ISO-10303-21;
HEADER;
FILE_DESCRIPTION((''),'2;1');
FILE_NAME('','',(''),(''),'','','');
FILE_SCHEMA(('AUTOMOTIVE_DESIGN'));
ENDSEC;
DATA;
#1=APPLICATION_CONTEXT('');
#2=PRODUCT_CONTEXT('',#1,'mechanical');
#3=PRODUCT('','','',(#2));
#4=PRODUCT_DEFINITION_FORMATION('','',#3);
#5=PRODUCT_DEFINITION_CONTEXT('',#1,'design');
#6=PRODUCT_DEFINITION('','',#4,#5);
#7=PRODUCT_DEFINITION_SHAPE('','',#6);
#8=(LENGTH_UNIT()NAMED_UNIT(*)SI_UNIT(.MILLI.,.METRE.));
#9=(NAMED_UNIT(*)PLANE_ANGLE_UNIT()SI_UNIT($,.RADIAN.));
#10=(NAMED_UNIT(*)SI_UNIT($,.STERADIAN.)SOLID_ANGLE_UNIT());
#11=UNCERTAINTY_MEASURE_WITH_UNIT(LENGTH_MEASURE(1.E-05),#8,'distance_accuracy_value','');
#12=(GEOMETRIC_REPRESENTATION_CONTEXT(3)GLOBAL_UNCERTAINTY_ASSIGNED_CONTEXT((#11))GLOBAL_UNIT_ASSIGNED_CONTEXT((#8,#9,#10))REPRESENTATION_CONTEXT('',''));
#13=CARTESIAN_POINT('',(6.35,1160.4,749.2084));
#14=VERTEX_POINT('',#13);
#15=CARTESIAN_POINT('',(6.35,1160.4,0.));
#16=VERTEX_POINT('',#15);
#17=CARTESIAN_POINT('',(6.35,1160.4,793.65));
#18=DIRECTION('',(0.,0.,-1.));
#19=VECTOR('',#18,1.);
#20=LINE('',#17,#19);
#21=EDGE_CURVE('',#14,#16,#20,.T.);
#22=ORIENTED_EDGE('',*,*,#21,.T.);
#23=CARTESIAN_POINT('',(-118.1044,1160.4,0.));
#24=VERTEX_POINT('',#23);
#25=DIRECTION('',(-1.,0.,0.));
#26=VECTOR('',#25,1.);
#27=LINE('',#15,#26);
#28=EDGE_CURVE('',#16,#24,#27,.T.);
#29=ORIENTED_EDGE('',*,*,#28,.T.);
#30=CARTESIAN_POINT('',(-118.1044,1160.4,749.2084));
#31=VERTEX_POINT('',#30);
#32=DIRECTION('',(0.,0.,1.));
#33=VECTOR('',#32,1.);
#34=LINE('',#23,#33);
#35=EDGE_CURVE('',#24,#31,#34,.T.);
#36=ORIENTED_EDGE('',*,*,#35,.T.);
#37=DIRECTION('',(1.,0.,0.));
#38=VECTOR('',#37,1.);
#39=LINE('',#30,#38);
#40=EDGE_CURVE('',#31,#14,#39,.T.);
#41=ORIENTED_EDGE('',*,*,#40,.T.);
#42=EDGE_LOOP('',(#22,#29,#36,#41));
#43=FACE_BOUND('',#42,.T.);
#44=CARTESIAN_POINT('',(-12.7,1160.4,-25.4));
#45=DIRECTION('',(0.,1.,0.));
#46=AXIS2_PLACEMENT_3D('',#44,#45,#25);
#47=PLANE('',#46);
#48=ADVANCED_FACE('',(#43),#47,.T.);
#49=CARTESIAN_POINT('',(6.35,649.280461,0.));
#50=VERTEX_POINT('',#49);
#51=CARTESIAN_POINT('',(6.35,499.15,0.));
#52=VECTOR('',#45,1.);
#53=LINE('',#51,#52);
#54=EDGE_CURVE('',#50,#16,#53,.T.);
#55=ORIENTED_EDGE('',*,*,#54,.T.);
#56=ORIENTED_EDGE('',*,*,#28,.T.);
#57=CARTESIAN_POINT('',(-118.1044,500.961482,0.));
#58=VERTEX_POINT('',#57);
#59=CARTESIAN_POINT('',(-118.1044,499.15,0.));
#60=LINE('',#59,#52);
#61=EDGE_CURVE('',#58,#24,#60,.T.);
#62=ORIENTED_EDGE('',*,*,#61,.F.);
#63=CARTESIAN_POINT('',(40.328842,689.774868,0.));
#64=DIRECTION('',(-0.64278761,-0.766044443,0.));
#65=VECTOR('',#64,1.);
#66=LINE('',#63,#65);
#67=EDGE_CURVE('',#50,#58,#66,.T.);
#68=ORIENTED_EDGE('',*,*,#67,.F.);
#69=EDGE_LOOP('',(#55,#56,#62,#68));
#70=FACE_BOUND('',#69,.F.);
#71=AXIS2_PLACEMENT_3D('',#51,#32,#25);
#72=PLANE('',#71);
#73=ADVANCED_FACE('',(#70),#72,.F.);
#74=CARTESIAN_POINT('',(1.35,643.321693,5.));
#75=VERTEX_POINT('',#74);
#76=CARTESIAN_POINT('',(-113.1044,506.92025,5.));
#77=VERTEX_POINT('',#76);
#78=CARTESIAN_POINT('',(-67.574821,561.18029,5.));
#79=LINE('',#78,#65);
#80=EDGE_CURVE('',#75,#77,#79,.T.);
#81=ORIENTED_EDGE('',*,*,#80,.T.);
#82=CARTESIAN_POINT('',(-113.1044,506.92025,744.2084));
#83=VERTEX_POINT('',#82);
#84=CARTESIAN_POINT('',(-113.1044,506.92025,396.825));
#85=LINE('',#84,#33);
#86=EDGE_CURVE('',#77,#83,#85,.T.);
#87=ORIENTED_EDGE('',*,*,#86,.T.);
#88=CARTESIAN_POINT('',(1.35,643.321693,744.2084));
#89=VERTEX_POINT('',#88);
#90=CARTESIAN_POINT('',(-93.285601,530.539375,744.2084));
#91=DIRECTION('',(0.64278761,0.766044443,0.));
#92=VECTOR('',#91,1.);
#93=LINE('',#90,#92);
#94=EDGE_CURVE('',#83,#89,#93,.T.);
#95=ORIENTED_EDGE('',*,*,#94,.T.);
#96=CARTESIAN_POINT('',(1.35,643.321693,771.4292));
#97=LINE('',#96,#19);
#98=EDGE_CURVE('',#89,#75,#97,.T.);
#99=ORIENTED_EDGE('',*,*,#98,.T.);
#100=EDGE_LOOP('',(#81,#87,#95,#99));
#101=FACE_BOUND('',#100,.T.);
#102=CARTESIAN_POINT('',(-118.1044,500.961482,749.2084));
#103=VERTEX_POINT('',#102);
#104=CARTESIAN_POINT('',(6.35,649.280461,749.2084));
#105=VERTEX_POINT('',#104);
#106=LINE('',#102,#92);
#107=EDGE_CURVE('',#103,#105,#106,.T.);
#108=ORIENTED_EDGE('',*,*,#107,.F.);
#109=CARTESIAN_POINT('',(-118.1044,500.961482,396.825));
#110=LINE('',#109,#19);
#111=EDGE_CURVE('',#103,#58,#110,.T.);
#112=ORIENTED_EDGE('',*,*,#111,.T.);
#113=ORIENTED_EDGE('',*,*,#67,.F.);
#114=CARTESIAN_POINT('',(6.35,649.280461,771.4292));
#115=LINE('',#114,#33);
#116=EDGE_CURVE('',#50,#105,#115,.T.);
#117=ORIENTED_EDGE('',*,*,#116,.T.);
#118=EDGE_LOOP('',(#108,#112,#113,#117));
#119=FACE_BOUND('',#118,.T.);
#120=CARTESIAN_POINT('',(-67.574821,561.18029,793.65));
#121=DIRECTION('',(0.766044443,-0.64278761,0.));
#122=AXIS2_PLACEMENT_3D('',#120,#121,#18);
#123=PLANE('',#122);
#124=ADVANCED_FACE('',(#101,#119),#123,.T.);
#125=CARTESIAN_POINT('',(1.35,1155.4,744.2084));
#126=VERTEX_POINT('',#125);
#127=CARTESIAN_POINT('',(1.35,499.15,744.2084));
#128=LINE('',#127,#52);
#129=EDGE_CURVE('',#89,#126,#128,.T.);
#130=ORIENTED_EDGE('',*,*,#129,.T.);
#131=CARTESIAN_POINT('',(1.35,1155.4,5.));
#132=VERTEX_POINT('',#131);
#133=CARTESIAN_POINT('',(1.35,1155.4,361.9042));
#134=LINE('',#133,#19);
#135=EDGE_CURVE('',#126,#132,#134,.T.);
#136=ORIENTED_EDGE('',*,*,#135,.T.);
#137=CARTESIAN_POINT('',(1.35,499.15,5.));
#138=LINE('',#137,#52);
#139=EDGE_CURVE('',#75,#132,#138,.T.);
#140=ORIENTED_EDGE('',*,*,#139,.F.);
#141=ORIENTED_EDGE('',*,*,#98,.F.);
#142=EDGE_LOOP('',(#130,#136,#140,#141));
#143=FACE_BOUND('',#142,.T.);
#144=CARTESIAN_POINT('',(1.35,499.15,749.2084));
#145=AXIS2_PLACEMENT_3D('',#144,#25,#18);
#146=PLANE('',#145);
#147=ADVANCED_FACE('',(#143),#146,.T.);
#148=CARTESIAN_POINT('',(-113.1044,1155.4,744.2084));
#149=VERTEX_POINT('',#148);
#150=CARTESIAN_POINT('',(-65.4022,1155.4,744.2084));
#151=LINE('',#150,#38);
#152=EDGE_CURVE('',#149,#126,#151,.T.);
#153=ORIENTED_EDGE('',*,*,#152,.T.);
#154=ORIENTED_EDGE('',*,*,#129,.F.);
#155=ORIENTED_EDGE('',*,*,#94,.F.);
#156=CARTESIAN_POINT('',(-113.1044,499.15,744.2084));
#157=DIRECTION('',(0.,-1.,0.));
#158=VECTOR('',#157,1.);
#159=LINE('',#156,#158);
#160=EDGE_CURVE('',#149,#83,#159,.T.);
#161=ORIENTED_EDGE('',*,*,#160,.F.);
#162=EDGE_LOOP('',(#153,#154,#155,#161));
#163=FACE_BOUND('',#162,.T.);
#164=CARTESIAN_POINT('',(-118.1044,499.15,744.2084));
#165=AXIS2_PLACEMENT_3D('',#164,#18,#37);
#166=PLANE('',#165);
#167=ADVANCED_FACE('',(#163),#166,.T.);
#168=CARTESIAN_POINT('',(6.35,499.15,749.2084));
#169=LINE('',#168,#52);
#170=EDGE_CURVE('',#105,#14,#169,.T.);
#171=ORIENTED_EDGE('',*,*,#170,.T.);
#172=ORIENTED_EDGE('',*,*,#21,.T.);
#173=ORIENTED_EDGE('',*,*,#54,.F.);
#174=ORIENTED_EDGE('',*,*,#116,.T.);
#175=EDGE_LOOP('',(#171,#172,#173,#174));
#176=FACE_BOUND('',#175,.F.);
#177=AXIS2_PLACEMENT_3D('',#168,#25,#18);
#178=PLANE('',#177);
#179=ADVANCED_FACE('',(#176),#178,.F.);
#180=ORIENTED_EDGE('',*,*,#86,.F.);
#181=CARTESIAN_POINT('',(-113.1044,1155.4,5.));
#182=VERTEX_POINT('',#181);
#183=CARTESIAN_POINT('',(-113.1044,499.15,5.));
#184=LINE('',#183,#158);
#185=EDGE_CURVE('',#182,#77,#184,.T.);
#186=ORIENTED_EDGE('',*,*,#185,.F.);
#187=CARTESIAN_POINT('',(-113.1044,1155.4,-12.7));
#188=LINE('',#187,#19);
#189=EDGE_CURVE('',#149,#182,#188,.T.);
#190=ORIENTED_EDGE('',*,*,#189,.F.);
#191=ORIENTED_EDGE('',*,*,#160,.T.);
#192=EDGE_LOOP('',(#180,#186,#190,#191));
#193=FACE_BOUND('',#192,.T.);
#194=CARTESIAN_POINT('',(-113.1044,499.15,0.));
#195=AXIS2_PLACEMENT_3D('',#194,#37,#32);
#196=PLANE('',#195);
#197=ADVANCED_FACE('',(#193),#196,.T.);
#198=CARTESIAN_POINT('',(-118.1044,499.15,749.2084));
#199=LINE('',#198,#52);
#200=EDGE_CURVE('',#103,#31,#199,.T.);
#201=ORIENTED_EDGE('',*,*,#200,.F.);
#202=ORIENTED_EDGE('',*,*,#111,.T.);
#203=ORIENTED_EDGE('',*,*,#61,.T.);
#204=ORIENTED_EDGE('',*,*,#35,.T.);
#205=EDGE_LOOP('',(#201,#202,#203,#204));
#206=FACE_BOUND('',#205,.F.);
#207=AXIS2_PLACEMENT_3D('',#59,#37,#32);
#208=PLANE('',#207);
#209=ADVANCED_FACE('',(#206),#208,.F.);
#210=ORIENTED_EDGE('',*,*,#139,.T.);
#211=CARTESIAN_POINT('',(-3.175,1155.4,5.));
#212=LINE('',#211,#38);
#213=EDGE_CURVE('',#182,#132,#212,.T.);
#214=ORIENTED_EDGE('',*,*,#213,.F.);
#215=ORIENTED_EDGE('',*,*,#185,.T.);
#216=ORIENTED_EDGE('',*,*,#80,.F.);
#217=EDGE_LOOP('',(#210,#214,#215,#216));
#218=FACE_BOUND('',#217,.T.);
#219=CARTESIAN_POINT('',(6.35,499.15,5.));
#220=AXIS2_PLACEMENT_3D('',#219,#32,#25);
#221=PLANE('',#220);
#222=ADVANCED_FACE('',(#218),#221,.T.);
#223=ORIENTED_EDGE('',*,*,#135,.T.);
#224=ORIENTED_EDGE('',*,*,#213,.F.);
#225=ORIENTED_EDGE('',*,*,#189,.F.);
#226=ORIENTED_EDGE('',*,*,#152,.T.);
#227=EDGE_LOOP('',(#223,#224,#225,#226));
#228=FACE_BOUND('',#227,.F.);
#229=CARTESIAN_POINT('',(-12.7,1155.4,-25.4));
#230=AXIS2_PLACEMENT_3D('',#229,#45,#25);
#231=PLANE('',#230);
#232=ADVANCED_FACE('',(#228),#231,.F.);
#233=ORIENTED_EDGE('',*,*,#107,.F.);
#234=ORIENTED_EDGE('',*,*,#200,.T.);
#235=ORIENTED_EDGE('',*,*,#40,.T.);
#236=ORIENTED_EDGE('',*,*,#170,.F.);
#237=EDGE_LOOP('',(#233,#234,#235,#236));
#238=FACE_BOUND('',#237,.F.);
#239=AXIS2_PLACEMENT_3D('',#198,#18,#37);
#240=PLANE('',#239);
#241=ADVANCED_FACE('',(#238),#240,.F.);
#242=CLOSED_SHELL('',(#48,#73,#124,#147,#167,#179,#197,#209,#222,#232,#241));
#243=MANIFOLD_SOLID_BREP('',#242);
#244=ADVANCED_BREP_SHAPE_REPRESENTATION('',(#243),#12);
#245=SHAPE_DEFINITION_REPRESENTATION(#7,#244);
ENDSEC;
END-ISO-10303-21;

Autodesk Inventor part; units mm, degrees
ref_plane "YZ Plane" through (0, 0, 0) normal (1, 0, 0) x (0, 1, 0)
ref_plane "XZ Plane" through (0, 0, 0) normal (0, 1, 0) x (-1, 0, 0)
ref_plane "XY Plane" through (0, 0, 0) normal (0, 0, 1) x (1, 0, 0)
ref_plane "Work Plane1" through (-12.7, 499.15, -25.4) normal (0, 1, 0) x (-1, 0, 0)
sketch "Sketch1" plane through (-12.7, 499.15, -25.4) normal (0, 1, 0) x (-1, 0, 0)
  line L0 (-19.05, 819.05) -> (-19.05, -19.05) projected
  line L1 (-12.7, 35.4) -> (-2.7, 35.4) projected
  line L2 (-12.7, 764.6) -> (-2.7, 764.6) projected
  line L3 (-19.05, 25.4) -> (105.4044, 25.4)
  line L4 (105.4044, 25.4) -> (105.4044, 774.6084)
  line L5 (105.4044, 774.6084) -> (-19.05, 774.6084)
  line L6 (-19.05, 774.6084) -> (-19.05, 25.4)
  point P0 (-12.7, 25.4)
  point P1 (-19.05, 774.6084)
  dimension "d0" = 749.2084
  dimension "d1" = 124.4544
extrude "Extrusion1" add sketch "Sketch1" along normal blind 661.25
ref_plane "Work Plane2" through (6.35, 499.15, 793.65) normal (0.766, -0.6428, 0) x (0, 0, -1)
sketch "Sketch2" plane through (6.35, 499.15, 793.65) normal (0.766, -0.6428, 0) x (0, 0, -1)
  line L0 (44.4416, 0) -> (44.4416, 506.5469) projected
  line L1 (44.4416, 167.8683) -> (793.65, 167.8683)
  line L2 (793.65, 167.8683) -> (793.65, -166.4116)
  line L3 (793.65, -166.4116) -> (44.4416, -166.4116)
  line L4 (44.4416, -166.4116) -> (44.4416, 167.8683)
  point P0 (793.65, -386.4528)
extrude "Extrusion2" cut sketch "Sketch2" against normal blind 96.5
shell "Shell1" thickness 5 removed faces 1 at (-35.1348, 599.8377, 499.4722)
properties part number "DUSTPAN" material "Polystyrene"
